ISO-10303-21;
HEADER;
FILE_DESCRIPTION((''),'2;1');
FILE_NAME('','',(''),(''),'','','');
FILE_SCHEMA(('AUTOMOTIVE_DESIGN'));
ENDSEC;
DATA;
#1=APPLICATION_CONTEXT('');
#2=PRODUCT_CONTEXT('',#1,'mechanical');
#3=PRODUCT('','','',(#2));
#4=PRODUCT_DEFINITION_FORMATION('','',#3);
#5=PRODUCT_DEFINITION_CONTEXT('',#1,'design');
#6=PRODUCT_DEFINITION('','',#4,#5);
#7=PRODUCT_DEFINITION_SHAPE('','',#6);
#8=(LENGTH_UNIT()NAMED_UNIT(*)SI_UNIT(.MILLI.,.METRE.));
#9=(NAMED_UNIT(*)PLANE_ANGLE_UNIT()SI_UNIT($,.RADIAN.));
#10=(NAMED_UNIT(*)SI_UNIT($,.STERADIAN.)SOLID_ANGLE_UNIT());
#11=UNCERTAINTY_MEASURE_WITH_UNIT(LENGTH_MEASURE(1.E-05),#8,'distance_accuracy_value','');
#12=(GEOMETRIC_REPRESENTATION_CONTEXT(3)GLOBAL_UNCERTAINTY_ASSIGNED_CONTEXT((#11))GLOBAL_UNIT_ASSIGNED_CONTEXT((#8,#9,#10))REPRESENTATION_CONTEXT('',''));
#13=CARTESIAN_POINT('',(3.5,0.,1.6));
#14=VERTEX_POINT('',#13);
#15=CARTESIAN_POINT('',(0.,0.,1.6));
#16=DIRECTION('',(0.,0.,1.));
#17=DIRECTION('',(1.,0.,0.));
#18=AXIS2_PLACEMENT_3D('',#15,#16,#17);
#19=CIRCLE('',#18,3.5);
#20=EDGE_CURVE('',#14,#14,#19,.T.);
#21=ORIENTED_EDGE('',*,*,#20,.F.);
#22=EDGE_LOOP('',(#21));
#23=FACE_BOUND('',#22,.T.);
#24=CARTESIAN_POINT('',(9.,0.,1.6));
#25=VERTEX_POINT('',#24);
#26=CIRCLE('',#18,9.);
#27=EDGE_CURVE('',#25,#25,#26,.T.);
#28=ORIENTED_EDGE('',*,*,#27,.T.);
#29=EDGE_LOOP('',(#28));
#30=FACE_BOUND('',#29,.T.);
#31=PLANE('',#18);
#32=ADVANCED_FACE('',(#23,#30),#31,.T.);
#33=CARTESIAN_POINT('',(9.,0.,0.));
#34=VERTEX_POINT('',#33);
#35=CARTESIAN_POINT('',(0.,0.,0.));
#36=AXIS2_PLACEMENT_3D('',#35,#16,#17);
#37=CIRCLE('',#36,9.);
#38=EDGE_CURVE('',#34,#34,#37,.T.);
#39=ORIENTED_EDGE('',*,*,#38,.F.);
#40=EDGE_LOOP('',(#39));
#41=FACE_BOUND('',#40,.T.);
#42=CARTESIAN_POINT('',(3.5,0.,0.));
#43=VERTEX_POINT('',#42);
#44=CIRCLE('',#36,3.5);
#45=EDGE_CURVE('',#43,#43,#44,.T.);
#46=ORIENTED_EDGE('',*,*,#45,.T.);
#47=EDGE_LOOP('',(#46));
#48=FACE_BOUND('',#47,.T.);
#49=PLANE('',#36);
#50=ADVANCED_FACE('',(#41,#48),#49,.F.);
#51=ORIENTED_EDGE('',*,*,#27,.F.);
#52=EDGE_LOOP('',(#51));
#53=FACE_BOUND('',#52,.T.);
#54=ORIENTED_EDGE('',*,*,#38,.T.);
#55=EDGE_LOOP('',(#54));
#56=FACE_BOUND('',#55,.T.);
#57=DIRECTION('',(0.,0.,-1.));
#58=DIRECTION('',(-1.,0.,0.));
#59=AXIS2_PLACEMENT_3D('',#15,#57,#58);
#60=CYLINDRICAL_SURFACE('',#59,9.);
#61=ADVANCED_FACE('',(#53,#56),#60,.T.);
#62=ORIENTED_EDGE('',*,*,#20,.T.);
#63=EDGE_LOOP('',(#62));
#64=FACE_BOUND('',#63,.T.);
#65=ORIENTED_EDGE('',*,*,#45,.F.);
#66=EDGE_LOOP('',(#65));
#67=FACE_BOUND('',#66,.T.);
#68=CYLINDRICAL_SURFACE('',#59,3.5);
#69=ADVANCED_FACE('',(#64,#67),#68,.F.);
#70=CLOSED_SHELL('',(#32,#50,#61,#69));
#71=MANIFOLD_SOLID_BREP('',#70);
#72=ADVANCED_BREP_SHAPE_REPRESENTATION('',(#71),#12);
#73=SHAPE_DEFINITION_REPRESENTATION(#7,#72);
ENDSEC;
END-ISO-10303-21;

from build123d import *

# Parameters (mm, degrees)
ESQUISSE1_R      = 9
ESQUISSE1_R_2    = 3.5
EXTRUSION1_DEPTH = 1.6


with BuildPart() as part:
    # Esquisse1 → Extrusion1 (new body)
    with BuildSketch(Plane.XY):
        Circle(ESQUISSE1_R)
        Circle(ESQUISSE1_R_2, mode=Mode.SUBTRACT)
    extrude(amount=EXTRUSION1_DEPTH)


solid = part.part
